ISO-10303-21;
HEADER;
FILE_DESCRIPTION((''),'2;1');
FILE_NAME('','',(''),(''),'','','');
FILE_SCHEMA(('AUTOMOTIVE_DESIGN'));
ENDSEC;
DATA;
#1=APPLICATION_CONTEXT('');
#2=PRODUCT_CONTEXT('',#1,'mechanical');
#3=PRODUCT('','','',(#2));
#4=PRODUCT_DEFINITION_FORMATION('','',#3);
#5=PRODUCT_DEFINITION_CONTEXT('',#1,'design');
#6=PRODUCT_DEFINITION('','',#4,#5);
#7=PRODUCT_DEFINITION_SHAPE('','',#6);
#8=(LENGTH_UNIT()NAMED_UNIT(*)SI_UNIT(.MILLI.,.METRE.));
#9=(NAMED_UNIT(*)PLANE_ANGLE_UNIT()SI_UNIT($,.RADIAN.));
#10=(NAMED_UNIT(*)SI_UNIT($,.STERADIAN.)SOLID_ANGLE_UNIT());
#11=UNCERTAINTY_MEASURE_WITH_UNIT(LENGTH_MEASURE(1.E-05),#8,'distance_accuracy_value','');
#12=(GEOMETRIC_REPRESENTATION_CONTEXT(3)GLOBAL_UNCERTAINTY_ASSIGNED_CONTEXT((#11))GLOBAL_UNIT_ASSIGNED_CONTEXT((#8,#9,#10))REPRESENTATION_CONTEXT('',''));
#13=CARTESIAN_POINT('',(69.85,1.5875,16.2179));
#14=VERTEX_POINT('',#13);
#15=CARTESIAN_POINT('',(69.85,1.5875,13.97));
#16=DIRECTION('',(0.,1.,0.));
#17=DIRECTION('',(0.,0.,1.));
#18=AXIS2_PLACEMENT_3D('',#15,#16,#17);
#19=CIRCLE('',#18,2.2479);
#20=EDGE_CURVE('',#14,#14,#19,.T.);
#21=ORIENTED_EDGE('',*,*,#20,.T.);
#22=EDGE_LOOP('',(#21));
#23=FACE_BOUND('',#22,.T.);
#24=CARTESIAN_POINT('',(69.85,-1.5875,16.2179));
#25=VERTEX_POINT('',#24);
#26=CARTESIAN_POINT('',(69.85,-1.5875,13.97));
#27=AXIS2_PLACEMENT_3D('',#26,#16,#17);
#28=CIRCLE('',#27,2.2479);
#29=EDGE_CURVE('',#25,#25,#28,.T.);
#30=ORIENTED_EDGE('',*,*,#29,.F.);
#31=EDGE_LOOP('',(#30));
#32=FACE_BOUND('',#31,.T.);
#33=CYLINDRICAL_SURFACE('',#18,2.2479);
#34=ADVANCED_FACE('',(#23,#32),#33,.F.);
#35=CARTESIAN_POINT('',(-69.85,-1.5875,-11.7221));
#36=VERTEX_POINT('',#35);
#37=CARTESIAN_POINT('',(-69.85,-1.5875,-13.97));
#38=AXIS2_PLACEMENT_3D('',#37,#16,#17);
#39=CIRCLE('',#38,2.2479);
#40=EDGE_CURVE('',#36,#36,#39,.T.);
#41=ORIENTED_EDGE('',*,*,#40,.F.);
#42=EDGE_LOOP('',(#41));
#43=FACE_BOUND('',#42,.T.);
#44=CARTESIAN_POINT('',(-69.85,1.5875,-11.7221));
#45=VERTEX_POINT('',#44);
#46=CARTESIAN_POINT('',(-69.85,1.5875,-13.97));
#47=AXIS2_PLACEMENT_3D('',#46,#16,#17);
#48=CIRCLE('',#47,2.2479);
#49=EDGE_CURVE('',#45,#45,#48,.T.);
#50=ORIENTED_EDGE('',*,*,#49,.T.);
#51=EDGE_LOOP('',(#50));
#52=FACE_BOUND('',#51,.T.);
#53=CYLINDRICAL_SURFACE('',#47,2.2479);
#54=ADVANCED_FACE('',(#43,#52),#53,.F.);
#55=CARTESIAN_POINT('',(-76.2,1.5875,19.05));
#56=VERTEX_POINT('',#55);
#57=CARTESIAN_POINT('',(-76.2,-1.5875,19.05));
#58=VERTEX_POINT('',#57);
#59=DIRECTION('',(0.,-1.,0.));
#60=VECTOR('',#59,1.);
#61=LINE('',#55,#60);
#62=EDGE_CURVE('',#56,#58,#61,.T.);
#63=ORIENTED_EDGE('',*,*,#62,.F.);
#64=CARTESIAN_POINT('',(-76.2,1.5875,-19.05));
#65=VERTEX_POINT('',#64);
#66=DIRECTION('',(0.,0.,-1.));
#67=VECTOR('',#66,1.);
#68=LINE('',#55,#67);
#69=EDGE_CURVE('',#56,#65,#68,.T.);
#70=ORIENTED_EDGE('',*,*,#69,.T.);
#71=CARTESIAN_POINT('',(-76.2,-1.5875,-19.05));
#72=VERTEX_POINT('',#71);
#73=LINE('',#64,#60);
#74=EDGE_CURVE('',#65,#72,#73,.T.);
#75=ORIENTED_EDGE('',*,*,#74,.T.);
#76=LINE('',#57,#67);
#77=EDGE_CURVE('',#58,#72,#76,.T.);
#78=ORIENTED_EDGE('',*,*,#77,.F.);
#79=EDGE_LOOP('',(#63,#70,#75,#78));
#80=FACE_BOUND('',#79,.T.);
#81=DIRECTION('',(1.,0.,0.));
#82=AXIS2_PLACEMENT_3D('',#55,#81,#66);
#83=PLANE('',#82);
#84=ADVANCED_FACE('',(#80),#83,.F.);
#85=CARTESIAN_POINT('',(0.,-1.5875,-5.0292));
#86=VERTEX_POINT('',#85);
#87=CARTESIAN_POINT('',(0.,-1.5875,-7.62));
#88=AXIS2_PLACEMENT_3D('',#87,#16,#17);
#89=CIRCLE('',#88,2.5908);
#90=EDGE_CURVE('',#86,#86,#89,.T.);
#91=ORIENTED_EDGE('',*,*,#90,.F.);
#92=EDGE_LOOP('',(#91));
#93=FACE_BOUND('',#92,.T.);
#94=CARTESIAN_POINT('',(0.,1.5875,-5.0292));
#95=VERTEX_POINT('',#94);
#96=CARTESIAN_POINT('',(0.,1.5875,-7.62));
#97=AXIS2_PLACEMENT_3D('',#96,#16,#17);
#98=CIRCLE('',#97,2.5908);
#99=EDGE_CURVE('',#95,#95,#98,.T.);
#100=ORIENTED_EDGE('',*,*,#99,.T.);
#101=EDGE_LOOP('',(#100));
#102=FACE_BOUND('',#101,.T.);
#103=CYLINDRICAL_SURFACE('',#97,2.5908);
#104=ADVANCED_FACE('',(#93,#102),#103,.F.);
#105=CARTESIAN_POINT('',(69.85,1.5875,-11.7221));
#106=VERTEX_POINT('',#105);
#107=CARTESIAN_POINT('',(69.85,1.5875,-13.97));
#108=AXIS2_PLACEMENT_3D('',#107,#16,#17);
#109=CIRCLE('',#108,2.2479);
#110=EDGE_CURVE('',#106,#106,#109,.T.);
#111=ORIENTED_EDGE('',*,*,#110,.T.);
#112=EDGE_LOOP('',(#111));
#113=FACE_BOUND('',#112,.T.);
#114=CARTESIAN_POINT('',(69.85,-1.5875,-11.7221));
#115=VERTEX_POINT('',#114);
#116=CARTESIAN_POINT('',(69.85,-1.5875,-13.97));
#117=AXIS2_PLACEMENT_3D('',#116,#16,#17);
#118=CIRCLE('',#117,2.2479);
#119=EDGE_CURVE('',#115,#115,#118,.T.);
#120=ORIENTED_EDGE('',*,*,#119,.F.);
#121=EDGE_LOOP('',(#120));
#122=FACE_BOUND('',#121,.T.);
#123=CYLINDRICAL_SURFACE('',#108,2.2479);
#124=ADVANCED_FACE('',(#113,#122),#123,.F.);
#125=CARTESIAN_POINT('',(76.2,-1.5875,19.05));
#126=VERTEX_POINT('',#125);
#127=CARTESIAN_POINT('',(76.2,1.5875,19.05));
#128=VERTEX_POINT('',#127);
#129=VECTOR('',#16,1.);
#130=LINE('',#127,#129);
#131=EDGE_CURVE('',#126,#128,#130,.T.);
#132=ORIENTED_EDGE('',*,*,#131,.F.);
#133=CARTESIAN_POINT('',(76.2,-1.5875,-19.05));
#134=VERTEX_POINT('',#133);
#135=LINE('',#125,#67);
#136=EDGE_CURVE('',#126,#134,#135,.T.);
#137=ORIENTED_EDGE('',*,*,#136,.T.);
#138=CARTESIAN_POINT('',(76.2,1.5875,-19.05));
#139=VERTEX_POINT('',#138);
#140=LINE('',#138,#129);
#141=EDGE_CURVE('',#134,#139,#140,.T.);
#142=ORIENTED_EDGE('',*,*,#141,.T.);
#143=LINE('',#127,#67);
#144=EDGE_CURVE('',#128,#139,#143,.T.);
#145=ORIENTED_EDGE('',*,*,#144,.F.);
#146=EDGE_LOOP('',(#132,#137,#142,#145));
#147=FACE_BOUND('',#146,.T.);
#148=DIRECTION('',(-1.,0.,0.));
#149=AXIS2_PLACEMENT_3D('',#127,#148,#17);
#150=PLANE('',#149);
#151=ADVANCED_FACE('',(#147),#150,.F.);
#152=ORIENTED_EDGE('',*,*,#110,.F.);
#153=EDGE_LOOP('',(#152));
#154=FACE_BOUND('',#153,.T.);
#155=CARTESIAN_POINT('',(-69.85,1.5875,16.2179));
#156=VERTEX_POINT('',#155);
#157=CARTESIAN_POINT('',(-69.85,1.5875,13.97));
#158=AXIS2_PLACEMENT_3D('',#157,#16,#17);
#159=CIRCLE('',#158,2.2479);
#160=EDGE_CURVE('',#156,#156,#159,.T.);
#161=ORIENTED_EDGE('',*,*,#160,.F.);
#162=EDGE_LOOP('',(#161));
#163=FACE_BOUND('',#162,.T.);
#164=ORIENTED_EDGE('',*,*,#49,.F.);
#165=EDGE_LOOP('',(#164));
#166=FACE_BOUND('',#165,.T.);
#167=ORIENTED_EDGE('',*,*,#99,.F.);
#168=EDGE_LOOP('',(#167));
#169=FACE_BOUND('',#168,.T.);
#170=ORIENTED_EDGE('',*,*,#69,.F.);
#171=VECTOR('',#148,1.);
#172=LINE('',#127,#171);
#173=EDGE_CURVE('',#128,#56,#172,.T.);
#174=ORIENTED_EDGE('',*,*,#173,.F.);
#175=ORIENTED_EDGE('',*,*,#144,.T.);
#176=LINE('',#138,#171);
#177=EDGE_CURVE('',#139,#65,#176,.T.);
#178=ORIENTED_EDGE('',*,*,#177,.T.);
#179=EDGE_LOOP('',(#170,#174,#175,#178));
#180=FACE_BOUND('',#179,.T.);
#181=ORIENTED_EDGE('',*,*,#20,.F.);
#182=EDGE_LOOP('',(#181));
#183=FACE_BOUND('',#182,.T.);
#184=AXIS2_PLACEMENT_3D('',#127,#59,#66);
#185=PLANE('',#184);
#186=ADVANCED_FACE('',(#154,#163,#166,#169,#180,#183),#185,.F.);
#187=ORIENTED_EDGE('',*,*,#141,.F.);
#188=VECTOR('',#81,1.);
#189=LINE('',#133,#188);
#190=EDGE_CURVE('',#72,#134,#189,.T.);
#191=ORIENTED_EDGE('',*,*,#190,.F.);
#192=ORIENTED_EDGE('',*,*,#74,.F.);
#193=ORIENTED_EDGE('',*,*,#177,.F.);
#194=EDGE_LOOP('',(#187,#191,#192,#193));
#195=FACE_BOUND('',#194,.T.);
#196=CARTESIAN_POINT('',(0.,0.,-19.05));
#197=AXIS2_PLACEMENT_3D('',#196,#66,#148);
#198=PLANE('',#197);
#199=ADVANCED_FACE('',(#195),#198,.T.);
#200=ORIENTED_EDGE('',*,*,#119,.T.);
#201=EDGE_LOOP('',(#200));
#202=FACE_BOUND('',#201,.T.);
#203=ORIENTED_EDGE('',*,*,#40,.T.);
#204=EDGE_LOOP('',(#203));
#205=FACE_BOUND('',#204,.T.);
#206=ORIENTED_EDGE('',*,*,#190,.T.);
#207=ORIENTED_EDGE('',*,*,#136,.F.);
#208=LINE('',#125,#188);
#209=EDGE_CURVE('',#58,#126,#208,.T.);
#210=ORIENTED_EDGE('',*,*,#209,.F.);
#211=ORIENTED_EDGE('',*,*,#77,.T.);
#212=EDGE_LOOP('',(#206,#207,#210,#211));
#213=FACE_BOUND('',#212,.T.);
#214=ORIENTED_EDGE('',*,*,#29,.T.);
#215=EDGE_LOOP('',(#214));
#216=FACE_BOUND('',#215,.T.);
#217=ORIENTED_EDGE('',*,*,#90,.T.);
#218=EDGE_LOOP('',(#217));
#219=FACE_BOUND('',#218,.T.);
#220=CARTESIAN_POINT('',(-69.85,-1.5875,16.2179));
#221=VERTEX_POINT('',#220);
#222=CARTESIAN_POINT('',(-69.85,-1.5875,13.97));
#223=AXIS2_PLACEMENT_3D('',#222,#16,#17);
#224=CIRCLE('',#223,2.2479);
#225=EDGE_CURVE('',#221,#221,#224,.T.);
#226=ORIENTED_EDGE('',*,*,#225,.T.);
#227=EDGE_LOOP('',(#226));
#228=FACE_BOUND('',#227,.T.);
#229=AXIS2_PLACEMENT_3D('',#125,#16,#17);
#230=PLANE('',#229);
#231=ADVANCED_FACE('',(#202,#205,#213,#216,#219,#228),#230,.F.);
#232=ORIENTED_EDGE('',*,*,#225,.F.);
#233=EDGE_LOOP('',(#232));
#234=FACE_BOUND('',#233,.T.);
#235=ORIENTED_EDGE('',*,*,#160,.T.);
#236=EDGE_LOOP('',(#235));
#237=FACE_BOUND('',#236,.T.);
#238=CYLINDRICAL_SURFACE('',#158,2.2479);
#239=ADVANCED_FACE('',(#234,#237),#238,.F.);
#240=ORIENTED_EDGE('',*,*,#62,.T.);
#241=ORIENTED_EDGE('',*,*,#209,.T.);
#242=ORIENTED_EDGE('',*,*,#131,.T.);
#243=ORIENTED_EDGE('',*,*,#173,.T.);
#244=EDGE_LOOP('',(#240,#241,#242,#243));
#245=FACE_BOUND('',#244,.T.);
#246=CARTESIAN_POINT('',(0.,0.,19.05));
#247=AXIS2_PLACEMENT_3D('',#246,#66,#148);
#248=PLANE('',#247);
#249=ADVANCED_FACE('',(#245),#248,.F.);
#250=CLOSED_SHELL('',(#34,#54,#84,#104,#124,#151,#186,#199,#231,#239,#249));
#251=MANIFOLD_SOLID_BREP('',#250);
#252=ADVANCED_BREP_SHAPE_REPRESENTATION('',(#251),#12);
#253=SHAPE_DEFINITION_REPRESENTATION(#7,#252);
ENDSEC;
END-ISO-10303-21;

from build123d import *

# Parameters (mm, degrees)
BOSS_EXTRUDE1_DEPTH        = 19.05
BOSS_EXTRUDE1_DEPTH_BACK   = 19.05
SKETCH3_W                  = 152.4
SKETCH3_H                  = 3.175
F_8_CLEARANCE_HOLE1_D      = 4.4958
F_6_0_204_DIAMETER_HOLE1_D = 5.1816


with BuildPart() as part:
    # Sketch3 → Boss-Extrude1 (new, two sides: drawn at the far end of the back side and taken through both)
    with BuildSketch(Plane.XY.offset(-BOSS_EXTRUDE1_DEPTH_BACK)):
        Rectangle(SKETCH3_W, SKETCH3_H)
    extrude(amount=BOSS_EXTRUDE1_DEPTH + BOSS_EXTRUDE1_DEPTH_BACK)

    # #8 Clearance Hole1 (through all)
    with Locations(Plane(origin=(0, 1.5875, 0), x_dir=(1, 0, 0), z_dir=(0, 1, 0))):
        with Locations((-69.85, 13.97), (-69.85, -13.97)):
            f_8_clearance_hole1 = Hole(F_8_CLEARANCE_HOLE1_D / 2)

    # Mirror1: #8 Clearance Hole1 across plane
    add(f_8_clearance_hole1.mirror(Plane(origin=(0, 0, 0), x_dir=(0, 0, 1), z_dir=(1, 0, 0))), mode=Mode.SUBTRACT)

    # #6 (0.204) Diameter Hole1 (through all)
    with Locations(Plane(origin=(0, 1.5875, 0), x_dir=(1, 0, 0), z_dir=(0, 1, 0))):
        with Locations((0, 7.62)):
            Hole(F_6_0_204_DIAMETER_HOLE1_D / 2)


solid = part.part
